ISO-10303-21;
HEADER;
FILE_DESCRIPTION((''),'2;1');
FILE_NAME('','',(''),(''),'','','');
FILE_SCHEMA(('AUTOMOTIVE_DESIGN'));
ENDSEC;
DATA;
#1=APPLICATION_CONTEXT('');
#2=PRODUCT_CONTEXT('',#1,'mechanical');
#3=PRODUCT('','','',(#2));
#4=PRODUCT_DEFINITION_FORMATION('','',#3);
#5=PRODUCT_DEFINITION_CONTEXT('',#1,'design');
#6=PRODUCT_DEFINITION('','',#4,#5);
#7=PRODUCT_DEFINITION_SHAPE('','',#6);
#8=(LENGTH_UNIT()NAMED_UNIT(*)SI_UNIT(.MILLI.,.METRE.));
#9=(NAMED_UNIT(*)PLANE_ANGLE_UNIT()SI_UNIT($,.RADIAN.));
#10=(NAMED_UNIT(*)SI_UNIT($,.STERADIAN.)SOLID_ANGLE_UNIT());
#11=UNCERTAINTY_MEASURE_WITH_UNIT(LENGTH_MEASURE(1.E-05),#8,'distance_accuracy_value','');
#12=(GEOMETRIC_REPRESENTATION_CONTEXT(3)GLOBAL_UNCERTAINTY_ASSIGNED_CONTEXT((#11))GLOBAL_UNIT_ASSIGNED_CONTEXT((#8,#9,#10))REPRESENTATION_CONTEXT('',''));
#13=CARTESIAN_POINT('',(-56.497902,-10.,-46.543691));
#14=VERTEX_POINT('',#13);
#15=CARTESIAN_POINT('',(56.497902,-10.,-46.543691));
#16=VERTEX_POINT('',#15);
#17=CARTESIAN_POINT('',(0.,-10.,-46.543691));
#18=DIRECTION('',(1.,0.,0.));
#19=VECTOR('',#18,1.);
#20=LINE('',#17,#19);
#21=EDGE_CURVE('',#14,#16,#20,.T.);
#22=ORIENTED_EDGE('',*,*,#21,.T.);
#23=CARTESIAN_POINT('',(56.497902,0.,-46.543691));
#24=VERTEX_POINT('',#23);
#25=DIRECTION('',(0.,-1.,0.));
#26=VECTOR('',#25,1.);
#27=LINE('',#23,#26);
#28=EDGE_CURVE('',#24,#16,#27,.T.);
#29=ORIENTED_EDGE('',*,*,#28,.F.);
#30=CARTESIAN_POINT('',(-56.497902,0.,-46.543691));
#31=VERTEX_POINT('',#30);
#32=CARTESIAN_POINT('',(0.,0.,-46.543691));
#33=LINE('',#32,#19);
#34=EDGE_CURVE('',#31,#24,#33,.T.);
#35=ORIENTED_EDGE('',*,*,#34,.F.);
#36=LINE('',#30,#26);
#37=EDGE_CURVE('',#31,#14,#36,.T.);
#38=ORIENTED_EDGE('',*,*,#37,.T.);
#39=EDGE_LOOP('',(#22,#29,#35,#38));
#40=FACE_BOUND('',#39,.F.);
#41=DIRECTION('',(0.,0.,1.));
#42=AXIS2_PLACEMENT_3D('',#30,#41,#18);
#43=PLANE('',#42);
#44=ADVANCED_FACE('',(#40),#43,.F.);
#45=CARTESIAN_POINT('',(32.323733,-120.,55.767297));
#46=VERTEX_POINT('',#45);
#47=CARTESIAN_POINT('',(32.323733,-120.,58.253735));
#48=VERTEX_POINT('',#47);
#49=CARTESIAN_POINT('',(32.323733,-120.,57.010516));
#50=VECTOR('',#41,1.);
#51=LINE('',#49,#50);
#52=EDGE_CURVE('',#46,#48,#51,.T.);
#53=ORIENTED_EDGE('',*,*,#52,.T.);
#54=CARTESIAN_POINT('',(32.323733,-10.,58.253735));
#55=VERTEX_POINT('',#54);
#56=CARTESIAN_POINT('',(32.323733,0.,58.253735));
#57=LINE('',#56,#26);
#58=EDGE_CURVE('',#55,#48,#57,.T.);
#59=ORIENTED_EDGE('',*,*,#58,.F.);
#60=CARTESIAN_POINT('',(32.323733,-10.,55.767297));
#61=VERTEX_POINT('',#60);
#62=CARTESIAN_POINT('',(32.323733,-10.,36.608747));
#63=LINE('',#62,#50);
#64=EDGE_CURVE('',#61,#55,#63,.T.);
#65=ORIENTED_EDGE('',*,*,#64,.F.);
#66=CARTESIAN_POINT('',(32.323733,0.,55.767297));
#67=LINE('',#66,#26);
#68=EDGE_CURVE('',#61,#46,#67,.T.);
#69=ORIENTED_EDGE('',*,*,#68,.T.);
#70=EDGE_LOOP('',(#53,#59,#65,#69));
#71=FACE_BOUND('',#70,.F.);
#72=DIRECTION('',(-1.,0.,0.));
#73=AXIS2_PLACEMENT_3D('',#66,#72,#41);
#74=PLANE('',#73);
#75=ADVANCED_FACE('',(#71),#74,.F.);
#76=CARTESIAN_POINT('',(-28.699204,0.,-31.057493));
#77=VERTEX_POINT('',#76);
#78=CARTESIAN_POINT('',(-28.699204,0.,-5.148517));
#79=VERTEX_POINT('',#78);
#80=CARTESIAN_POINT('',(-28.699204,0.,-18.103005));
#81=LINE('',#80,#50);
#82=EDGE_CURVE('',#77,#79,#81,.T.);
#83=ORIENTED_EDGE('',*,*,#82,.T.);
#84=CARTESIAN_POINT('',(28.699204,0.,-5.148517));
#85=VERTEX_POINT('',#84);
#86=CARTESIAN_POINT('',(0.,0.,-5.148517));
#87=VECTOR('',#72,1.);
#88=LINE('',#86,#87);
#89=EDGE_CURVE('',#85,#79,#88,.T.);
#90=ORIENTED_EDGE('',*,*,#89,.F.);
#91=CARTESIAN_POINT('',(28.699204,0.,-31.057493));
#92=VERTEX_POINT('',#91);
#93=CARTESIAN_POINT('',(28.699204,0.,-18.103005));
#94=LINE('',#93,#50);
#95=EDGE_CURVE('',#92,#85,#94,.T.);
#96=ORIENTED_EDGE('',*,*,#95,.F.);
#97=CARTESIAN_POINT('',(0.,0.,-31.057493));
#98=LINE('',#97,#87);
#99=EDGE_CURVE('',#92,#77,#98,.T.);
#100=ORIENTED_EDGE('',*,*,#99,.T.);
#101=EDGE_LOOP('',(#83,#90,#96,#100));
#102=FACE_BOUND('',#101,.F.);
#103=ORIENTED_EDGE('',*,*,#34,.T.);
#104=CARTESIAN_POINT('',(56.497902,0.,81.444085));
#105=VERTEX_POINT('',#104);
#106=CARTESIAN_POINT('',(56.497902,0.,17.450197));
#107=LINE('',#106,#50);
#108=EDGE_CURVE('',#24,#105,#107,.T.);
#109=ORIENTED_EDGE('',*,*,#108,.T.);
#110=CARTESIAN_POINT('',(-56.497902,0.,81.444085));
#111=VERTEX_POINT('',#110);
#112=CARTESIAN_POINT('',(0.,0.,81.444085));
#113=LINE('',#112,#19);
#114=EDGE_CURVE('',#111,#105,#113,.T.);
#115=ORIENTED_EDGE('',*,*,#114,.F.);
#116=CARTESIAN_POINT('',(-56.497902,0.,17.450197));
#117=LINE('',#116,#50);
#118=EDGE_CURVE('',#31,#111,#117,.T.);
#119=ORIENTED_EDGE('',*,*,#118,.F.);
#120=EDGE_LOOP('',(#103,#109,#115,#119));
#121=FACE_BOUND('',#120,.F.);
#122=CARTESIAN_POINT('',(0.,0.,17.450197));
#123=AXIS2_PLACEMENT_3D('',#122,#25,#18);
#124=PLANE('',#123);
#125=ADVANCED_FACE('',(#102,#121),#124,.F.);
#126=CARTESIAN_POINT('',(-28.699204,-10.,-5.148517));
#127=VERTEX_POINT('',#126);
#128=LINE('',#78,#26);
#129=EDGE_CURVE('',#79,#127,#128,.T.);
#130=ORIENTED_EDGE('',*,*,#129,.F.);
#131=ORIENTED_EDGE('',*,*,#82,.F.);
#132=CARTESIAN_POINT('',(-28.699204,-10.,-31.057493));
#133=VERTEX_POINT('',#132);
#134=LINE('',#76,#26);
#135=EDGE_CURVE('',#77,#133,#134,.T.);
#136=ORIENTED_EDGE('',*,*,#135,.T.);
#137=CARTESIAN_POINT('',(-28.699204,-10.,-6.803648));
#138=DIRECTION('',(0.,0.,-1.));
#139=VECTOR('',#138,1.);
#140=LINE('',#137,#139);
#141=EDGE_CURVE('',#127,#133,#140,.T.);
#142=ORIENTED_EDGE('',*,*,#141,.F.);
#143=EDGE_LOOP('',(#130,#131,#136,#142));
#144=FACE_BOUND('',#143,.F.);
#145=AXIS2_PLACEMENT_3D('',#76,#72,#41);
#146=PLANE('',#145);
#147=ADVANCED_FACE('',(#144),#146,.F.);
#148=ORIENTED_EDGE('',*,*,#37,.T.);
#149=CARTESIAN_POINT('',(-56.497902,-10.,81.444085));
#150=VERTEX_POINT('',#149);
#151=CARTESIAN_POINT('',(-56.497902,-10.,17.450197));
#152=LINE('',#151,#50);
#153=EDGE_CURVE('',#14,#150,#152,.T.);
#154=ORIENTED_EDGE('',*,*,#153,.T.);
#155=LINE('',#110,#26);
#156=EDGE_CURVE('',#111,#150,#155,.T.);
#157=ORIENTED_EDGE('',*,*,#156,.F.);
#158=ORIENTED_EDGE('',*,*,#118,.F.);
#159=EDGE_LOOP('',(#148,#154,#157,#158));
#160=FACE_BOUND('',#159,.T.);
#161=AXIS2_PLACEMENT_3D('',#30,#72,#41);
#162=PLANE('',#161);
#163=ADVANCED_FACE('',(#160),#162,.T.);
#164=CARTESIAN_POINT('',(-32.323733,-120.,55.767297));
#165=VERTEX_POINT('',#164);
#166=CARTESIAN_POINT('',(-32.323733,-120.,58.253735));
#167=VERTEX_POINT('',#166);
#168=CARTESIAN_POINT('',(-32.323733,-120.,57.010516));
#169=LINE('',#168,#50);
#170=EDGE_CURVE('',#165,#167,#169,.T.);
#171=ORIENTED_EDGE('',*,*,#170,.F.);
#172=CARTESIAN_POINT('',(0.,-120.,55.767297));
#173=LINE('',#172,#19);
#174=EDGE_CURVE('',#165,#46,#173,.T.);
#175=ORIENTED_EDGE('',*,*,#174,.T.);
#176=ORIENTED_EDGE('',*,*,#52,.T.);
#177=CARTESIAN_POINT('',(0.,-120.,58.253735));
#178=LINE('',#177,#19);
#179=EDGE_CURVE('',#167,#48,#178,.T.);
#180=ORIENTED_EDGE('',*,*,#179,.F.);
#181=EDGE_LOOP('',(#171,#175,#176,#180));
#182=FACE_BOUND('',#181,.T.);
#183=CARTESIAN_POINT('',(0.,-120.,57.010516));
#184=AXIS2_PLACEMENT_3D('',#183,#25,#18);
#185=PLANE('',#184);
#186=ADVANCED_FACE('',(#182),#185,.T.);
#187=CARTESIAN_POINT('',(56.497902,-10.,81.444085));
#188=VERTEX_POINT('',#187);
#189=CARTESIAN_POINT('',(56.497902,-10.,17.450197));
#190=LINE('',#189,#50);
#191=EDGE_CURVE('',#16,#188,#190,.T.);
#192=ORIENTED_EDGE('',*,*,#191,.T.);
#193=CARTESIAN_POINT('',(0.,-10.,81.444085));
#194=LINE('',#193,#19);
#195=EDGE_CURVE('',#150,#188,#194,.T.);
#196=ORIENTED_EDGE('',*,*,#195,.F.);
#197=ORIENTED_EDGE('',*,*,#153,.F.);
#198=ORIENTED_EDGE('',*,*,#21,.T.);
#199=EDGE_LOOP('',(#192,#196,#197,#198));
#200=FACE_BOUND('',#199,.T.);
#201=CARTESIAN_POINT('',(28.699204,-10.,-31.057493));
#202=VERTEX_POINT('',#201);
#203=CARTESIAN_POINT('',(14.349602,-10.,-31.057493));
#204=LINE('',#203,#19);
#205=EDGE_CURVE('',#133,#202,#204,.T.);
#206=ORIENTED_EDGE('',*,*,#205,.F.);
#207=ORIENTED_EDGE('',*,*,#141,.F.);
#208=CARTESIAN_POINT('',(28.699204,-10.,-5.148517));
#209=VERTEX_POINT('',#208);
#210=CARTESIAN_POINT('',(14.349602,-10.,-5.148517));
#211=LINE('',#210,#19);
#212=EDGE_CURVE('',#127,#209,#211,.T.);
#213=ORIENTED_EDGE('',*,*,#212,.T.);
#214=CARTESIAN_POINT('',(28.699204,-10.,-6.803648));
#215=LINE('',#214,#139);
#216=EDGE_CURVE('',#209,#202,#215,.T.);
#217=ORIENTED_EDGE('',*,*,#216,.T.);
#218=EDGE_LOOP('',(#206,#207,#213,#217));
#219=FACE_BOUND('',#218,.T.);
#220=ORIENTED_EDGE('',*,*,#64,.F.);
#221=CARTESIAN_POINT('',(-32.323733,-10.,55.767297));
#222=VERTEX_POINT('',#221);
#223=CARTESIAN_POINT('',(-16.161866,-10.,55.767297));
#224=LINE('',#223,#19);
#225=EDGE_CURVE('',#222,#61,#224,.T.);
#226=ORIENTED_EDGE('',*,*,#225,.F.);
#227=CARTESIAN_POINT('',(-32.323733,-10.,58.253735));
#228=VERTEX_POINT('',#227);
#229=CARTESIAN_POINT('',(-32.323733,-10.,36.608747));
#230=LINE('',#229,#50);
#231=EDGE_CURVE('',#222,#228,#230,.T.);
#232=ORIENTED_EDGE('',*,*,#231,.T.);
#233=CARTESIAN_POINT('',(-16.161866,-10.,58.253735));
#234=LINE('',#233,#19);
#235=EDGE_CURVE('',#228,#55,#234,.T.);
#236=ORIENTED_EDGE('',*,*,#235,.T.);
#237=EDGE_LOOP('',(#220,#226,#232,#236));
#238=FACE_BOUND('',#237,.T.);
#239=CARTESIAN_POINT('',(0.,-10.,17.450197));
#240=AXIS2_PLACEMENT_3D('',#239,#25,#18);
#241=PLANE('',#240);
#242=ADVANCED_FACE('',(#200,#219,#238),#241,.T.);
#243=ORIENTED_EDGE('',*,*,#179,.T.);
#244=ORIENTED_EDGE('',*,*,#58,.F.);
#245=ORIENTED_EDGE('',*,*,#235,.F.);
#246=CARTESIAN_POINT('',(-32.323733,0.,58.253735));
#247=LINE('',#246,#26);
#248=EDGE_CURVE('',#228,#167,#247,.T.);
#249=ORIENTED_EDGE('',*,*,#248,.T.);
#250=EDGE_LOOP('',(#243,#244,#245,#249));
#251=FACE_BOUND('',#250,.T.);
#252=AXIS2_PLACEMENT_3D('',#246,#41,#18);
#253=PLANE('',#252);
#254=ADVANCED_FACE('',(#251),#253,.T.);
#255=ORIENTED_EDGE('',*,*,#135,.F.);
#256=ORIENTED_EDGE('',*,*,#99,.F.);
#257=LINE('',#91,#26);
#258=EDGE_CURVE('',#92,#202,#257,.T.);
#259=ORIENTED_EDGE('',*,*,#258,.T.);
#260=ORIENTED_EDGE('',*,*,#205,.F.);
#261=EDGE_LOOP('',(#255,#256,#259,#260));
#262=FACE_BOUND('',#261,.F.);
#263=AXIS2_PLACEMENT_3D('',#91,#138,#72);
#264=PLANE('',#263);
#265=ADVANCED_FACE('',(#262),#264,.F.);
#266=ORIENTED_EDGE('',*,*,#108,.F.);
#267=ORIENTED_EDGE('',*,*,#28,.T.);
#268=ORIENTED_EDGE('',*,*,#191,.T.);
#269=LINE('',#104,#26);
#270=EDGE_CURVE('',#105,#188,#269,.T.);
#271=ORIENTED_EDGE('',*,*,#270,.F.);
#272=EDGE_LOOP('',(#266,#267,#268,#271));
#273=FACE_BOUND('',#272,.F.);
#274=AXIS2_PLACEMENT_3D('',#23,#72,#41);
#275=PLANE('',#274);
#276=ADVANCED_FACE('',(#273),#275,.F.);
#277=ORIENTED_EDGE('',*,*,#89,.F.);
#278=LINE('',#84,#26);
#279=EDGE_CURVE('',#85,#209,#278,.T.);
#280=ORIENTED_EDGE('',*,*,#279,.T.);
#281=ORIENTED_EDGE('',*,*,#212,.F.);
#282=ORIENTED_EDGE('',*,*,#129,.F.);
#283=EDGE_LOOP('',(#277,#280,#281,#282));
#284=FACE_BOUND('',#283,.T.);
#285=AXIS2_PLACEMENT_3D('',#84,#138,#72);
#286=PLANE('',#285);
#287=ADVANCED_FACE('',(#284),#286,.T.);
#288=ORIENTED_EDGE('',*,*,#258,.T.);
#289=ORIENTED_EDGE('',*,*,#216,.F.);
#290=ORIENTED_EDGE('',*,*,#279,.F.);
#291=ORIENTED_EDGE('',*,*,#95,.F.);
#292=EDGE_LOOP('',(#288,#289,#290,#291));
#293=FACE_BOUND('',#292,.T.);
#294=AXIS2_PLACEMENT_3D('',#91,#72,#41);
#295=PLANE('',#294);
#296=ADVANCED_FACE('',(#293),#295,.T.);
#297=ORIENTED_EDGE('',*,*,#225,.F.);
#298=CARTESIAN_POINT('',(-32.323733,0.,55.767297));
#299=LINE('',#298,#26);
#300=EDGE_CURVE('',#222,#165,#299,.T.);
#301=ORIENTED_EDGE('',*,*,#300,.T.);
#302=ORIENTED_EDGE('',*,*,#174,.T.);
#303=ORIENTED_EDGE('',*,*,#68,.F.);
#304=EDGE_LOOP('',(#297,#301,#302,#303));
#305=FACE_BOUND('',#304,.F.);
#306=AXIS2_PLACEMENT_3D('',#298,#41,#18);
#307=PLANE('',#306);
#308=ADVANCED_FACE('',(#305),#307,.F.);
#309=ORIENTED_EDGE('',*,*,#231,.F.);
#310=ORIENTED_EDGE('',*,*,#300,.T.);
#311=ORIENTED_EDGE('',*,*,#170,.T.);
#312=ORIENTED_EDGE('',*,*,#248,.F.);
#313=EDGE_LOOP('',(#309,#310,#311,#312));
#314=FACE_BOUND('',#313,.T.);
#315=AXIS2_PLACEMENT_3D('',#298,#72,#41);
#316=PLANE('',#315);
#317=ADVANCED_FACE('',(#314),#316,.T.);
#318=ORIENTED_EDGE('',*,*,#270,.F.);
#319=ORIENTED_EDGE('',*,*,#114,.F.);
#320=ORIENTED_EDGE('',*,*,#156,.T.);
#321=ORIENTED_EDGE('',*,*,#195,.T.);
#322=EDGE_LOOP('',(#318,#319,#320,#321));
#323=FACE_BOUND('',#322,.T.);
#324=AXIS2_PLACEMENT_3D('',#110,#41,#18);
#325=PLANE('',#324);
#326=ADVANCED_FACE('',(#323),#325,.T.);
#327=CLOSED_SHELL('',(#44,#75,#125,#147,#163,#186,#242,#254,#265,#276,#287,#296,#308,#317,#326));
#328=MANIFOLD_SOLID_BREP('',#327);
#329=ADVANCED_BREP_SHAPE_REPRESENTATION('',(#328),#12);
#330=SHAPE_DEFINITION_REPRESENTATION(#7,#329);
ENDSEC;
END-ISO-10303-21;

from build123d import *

# Parameters (mm, degrees)
F0_W     = 64.647466
F0_H     = 2.486437
F1_DEPTH = 120
F2_W     = 112.995804
F2_H     = 127.987776
F3_DEPTH = 10
F4_W     = 57.398408
F4_H     = 25.908977
F5_DEPTH = 25


with BuildPart() as f1:
    # F0 (on Front) → F1 (new body)
    with BuildSketch(Plane.XZ):
        with Locations((0, 57.010516)):
            Rectangle(F0_W, F0_H)
    extrude(amount=F1_DEPTH)

    # F2 (on Front) → F3 (join)
    with BuildSketch(Plane.XZ):
        with Locations((0, 17.450197)):
            Rectangle(F2_W, F2_H)
    extrude(amount=F3_DEPTH)

    # F4 (on face) → F5 (cut)
    with BuildSketch(Plane(origin=(0, 0, 0), x_dir=(-1, 0, 0), z_dir=(0, 1, 0))):
        with Locations((0, -18.103005)):
            Rectangle(F4_W, F4_H)
    extrude(amount=-F5_DEPTH, mode=Mode.SUBTRACT)


solid = f1.part
